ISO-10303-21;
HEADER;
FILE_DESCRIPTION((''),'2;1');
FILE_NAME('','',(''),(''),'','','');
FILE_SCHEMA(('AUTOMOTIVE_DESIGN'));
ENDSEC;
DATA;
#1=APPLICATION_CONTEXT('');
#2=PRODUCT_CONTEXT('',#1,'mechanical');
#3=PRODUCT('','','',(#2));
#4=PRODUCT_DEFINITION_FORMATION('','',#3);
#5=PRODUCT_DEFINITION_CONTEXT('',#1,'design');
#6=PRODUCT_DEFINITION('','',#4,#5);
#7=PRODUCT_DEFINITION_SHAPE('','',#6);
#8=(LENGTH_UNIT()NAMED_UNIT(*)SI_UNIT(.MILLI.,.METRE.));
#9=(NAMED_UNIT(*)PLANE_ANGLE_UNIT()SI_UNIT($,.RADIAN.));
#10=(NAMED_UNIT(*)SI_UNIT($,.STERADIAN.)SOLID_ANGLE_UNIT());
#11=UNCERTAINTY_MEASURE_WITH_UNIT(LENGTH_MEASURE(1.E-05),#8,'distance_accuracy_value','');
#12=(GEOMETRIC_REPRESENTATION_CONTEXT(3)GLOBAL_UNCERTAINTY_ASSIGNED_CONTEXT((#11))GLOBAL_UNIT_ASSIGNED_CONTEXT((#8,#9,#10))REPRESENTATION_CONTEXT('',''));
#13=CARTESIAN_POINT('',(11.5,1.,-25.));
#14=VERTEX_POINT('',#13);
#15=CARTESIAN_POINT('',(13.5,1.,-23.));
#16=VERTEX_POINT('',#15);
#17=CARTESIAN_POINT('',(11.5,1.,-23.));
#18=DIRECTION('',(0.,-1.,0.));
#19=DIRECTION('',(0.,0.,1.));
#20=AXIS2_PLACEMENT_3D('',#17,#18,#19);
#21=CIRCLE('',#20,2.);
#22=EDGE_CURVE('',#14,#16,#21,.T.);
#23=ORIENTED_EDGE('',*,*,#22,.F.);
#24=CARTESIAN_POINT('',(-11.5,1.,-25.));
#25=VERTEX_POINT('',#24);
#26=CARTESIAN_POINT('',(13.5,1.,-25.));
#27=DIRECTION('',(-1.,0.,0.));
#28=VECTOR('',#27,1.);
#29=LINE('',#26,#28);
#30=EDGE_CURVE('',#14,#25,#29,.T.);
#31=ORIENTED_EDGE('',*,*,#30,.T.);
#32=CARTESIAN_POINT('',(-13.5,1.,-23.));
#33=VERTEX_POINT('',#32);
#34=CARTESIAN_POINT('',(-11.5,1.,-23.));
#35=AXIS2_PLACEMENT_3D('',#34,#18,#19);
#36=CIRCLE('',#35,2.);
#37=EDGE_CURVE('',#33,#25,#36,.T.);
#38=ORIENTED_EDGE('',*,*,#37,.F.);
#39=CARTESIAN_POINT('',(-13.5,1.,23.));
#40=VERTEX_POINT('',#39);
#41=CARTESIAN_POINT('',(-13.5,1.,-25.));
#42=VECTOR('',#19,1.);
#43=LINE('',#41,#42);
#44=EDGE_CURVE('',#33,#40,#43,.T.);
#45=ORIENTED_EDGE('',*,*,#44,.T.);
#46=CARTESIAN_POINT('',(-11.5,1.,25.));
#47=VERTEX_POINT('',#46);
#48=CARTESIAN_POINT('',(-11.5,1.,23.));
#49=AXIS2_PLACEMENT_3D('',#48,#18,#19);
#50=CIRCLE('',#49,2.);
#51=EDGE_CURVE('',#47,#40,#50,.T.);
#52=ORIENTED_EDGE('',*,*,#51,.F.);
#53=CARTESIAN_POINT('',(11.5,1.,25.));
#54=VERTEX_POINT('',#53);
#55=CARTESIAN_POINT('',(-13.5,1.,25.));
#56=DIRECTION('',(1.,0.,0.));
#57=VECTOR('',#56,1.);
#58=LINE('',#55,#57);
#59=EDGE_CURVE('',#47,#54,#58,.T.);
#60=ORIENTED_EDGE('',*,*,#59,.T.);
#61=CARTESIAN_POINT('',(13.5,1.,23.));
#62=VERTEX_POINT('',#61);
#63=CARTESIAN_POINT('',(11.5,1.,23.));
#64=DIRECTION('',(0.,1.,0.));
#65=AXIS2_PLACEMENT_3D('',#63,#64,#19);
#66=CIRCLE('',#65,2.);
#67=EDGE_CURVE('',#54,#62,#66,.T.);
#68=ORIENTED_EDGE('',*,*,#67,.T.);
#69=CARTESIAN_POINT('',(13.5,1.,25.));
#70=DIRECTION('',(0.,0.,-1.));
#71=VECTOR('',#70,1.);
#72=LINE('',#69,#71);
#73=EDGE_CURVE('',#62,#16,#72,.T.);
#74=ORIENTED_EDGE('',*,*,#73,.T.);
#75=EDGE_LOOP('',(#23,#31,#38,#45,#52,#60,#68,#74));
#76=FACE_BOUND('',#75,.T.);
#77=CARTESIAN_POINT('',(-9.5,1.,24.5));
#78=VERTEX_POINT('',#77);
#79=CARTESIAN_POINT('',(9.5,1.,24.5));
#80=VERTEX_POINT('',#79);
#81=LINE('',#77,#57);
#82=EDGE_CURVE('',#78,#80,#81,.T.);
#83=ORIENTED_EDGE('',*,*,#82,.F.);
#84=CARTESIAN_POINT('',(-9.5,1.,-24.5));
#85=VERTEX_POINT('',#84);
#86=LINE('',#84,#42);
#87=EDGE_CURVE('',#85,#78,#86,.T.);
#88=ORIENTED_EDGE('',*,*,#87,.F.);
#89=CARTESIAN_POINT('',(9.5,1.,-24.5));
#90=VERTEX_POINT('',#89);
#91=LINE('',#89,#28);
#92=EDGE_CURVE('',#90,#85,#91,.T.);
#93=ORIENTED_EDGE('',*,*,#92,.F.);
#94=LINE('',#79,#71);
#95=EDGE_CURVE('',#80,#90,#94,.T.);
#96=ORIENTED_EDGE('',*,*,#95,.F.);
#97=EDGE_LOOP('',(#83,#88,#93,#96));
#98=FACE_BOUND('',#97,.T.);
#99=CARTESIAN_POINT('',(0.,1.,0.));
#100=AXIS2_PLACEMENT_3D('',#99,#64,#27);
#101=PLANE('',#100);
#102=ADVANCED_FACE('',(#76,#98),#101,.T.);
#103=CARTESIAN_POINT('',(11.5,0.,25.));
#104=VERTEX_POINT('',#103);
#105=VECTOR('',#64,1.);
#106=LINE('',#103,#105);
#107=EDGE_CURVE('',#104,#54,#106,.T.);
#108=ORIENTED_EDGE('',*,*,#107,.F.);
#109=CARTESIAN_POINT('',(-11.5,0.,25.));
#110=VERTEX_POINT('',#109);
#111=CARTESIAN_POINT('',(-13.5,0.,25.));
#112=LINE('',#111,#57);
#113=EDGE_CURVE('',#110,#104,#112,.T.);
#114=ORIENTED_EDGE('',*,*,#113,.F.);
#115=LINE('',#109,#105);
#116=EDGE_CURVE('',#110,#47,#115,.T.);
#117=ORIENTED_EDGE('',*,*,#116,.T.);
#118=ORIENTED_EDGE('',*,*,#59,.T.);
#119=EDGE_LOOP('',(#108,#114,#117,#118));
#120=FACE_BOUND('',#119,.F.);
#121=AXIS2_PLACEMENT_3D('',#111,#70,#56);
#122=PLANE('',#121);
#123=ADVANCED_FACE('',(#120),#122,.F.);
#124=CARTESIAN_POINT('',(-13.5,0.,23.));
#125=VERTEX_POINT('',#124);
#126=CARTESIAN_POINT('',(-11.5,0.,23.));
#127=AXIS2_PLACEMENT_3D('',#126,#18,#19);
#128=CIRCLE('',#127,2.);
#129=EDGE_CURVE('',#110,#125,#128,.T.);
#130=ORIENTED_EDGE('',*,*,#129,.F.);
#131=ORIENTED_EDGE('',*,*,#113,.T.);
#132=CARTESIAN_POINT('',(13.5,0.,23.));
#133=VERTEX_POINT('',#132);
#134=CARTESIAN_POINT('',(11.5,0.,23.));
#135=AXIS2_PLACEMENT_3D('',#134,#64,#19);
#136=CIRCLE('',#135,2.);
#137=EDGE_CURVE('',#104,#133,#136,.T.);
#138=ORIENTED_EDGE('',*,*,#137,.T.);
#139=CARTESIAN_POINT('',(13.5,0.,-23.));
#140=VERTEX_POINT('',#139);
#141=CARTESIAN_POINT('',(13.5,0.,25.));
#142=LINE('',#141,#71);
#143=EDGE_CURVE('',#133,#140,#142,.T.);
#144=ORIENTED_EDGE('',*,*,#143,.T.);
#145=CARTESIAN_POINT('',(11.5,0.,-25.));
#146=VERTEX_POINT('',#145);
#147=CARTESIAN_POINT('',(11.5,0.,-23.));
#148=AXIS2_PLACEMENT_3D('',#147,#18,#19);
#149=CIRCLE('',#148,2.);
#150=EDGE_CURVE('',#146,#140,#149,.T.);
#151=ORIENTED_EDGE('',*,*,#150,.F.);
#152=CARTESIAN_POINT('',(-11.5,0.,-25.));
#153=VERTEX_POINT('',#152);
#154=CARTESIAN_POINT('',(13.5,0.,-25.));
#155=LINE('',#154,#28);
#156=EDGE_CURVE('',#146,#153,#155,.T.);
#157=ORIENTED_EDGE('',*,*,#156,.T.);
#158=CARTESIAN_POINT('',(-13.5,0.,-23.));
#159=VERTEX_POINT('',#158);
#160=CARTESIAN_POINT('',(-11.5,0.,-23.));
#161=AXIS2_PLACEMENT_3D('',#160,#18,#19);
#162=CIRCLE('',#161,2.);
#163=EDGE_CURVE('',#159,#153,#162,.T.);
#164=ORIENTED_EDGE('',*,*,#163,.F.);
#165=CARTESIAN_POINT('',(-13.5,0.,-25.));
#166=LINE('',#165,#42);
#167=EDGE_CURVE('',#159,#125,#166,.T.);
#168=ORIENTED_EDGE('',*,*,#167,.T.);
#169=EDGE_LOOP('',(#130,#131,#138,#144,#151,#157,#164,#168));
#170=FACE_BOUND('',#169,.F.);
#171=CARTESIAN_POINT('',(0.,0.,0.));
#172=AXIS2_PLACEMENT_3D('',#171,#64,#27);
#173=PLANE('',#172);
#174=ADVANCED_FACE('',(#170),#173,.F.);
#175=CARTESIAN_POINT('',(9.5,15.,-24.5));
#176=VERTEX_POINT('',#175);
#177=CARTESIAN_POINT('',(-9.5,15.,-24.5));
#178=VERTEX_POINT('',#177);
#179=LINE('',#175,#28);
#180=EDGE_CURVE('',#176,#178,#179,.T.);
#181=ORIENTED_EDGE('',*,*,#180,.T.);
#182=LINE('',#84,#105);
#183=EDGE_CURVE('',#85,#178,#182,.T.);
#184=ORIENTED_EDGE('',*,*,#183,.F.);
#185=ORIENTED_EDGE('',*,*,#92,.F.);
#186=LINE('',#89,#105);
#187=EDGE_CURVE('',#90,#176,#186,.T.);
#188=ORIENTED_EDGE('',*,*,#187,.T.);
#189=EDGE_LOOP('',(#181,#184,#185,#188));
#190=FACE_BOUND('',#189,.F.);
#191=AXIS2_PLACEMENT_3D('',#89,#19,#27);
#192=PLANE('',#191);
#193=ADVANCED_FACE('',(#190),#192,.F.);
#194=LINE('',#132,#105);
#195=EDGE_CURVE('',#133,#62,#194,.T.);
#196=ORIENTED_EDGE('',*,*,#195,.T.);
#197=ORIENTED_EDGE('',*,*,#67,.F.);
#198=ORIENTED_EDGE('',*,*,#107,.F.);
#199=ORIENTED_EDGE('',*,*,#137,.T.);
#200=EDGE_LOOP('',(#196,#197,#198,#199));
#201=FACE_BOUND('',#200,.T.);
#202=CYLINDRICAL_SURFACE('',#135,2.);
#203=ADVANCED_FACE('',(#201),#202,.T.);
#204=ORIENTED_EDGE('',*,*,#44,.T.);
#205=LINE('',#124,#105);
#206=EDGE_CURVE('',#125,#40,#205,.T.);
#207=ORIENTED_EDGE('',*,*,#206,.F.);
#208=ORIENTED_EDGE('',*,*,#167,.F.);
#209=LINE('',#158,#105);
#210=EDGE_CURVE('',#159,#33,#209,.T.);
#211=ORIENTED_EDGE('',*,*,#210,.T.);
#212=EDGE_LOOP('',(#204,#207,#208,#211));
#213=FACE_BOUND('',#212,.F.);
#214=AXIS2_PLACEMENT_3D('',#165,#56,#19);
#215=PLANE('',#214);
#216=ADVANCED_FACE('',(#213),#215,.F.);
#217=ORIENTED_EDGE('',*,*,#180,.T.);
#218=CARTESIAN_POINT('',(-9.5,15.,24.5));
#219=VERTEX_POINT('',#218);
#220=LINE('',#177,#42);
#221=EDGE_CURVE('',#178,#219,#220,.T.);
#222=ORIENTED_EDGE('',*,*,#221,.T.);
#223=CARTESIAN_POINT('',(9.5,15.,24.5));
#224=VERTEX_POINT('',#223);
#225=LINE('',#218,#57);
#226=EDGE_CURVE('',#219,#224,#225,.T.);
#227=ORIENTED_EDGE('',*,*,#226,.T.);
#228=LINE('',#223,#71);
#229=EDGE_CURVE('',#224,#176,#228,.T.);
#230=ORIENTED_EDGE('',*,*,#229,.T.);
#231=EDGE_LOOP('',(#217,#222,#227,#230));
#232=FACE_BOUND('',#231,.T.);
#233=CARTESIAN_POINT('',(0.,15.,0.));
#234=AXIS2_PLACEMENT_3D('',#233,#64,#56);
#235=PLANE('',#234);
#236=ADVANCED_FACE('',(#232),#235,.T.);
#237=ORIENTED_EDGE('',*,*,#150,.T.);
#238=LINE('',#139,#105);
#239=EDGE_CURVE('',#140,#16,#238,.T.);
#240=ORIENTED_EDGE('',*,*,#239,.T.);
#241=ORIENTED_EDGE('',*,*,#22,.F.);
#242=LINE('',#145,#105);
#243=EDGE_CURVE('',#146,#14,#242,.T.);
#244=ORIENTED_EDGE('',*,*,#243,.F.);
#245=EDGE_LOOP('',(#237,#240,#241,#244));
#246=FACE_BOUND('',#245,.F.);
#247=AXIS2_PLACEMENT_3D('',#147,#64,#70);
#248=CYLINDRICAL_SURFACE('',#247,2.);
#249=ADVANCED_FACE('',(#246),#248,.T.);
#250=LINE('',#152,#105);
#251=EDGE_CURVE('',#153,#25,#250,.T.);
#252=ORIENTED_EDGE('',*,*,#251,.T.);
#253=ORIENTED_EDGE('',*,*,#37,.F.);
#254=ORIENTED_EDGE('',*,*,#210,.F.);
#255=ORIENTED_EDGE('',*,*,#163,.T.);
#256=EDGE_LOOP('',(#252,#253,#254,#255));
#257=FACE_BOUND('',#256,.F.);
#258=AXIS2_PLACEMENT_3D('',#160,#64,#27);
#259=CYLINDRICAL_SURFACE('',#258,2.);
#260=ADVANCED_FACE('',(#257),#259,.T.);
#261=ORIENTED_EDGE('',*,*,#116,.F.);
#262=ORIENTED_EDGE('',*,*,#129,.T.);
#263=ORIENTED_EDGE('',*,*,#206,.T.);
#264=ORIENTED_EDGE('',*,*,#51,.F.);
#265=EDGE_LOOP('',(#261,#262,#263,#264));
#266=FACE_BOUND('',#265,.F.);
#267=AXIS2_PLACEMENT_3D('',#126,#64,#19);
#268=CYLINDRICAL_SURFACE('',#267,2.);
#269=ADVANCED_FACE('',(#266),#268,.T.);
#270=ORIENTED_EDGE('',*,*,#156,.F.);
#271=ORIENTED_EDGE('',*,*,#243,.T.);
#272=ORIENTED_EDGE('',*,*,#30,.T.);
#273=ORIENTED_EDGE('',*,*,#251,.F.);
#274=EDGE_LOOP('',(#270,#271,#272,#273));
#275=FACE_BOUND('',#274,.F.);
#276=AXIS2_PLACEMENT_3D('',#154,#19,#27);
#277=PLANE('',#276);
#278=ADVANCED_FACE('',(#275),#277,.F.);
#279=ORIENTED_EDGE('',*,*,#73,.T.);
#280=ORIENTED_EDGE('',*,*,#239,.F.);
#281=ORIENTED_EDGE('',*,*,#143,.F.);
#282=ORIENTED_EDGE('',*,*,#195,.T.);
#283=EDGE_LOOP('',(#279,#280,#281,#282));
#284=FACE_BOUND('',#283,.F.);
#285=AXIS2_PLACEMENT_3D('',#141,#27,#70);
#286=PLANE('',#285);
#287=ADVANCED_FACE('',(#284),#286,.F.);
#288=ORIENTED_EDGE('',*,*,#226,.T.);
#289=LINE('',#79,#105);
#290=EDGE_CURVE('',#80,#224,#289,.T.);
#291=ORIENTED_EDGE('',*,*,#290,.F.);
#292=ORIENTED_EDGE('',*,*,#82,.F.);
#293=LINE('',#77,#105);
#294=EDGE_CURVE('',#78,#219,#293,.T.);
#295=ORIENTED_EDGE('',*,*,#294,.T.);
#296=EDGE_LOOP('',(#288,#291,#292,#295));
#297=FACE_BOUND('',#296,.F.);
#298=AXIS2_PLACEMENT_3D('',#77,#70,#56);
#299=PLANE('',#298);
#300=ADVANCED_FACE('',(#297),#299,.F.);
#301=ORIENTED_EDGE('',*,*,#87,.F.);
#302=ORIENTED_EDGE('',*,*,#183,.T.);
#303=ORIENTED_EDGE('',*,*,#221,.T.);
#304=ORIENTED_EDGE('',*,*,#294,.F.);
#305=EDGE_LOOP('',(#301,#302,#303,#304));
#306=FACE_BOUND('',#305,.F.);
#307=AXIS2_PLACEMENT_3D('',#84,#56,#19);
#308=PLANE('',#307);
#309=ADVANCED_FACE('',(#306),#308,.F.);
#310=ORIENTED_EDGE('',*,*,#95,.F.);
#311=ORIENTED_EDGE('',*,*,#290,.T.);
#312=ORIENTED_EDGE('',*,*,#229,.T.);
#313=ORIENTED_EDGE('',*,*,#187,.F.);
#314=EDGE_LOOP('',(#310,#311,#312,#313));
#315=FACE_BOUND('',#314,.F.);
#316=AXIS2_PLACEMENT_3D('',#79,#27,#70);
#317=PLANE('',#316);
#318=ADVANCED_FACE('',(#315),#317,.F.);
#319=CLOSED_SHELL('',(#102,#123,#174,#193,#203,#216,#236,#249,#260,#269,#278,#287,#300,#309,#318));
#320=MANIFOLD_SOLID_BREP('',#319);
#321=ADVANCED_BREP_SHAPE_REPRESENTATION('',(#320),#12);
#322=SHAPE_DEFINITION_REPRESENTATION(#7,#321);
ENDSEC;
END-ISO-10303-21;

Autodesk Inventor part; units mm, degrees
ref_plane "YZ Plane" through (0, 0, 0) normal (1, 0, 0) x (0, 1, 0)
ref_plane "XZ Plane" through (0, 0, 0) normal (0, 1, 0) x (-1, 0, 0)
ref_plane "XY Plane" through (0, 0, 0) normal (0, 0, 1) x (1, 0, 0)
sketch "Sketch1" plane through (0, 0, 0) normal (0, 1, 0) x (-1, 0, 0)
  line L0 (-13.5, 25) -> (-13.5, -25)
  line L1 (-13.5, -25) -> (13.5, -25)
  line L2 (13.5, -25) -> (13.5, 25)
  line L3 (13.5, 25) -> (-13.5, 25)
  line L4 (-13.5, 25) -> (13.5, -25) construction
  line L5 (-13.5, -25) -> (13.5, 25) construction
  point P0 (0, 0)
  dimension "d0" = 50
  dimension "d1" = 27
extrude "Extrusion1" add sketch "Sketch1" along normal blind 1
fillet "Fillet1" radius 2 4 edges at (13.5, 0.5, 25) (-13.5, 0.5, 25) (-13.5, 0.5, -25) (13.5, 0.5, -25)
sketch "Sketch2" plane through (0, 1, 0) normal (0, 1, 0) x (1, 0, 0)
  line L0 (9.5, -24.5) -> (9.5, 24.5)
  line L1 (9.5, 24.5) -> (-9.5, 24.5)
  line L2 (-9.5, 24.5) -> (-9.5, -24.5)
  line L3 (-9.5, -24.5) -> (9.5, -24.5)
  line L4 (9.5, -24.5) -> (-9.5, 24.5) construction
  line L5 (9.5, 24.5) -> (-9.5, -24.5) construction
  point P0 (0, 0)
  dimension "d5" = 49
  dimension "d6" = 19
extrude "Extrusion2" add sketch "Sketch2" along normal blind 14
sketch "Sketch3" plane through (0, 15, 0) normal (0, 1, 0) x (1, 0, 0)
  point P0 (0, 0)
sketch "Sketch4" plane through (0, 15, 0) normal (0, 1, 0) x (1, 0, 0)
  line L0 (-9.2797, -24.5843) -> (-9.5, 24.5) construction
  line L1 (-9.5, 24.5) -> (9.2797, 24.5843) construction
  line L2 (9.2797, 24.5843) -> (9.5, -24.5) construction
  line L3 (9.5, -24.5) -> (-9.2797, -24.5843) construction
  line L4 (9.5, -24.5) -> (9.5, 24.5) projected
  line L5 (9.5, 24.5) -> (-9.5, 24.5) projected
  line L6 (-9.5, 24.5) -> (-9.5, -24.5) projected
  line L7 (-9.5, -24.5) -> (9.5, -24.5) projected
  point P0 (0, 0)
decal "Decal1"
properties part number "Digit Display"
